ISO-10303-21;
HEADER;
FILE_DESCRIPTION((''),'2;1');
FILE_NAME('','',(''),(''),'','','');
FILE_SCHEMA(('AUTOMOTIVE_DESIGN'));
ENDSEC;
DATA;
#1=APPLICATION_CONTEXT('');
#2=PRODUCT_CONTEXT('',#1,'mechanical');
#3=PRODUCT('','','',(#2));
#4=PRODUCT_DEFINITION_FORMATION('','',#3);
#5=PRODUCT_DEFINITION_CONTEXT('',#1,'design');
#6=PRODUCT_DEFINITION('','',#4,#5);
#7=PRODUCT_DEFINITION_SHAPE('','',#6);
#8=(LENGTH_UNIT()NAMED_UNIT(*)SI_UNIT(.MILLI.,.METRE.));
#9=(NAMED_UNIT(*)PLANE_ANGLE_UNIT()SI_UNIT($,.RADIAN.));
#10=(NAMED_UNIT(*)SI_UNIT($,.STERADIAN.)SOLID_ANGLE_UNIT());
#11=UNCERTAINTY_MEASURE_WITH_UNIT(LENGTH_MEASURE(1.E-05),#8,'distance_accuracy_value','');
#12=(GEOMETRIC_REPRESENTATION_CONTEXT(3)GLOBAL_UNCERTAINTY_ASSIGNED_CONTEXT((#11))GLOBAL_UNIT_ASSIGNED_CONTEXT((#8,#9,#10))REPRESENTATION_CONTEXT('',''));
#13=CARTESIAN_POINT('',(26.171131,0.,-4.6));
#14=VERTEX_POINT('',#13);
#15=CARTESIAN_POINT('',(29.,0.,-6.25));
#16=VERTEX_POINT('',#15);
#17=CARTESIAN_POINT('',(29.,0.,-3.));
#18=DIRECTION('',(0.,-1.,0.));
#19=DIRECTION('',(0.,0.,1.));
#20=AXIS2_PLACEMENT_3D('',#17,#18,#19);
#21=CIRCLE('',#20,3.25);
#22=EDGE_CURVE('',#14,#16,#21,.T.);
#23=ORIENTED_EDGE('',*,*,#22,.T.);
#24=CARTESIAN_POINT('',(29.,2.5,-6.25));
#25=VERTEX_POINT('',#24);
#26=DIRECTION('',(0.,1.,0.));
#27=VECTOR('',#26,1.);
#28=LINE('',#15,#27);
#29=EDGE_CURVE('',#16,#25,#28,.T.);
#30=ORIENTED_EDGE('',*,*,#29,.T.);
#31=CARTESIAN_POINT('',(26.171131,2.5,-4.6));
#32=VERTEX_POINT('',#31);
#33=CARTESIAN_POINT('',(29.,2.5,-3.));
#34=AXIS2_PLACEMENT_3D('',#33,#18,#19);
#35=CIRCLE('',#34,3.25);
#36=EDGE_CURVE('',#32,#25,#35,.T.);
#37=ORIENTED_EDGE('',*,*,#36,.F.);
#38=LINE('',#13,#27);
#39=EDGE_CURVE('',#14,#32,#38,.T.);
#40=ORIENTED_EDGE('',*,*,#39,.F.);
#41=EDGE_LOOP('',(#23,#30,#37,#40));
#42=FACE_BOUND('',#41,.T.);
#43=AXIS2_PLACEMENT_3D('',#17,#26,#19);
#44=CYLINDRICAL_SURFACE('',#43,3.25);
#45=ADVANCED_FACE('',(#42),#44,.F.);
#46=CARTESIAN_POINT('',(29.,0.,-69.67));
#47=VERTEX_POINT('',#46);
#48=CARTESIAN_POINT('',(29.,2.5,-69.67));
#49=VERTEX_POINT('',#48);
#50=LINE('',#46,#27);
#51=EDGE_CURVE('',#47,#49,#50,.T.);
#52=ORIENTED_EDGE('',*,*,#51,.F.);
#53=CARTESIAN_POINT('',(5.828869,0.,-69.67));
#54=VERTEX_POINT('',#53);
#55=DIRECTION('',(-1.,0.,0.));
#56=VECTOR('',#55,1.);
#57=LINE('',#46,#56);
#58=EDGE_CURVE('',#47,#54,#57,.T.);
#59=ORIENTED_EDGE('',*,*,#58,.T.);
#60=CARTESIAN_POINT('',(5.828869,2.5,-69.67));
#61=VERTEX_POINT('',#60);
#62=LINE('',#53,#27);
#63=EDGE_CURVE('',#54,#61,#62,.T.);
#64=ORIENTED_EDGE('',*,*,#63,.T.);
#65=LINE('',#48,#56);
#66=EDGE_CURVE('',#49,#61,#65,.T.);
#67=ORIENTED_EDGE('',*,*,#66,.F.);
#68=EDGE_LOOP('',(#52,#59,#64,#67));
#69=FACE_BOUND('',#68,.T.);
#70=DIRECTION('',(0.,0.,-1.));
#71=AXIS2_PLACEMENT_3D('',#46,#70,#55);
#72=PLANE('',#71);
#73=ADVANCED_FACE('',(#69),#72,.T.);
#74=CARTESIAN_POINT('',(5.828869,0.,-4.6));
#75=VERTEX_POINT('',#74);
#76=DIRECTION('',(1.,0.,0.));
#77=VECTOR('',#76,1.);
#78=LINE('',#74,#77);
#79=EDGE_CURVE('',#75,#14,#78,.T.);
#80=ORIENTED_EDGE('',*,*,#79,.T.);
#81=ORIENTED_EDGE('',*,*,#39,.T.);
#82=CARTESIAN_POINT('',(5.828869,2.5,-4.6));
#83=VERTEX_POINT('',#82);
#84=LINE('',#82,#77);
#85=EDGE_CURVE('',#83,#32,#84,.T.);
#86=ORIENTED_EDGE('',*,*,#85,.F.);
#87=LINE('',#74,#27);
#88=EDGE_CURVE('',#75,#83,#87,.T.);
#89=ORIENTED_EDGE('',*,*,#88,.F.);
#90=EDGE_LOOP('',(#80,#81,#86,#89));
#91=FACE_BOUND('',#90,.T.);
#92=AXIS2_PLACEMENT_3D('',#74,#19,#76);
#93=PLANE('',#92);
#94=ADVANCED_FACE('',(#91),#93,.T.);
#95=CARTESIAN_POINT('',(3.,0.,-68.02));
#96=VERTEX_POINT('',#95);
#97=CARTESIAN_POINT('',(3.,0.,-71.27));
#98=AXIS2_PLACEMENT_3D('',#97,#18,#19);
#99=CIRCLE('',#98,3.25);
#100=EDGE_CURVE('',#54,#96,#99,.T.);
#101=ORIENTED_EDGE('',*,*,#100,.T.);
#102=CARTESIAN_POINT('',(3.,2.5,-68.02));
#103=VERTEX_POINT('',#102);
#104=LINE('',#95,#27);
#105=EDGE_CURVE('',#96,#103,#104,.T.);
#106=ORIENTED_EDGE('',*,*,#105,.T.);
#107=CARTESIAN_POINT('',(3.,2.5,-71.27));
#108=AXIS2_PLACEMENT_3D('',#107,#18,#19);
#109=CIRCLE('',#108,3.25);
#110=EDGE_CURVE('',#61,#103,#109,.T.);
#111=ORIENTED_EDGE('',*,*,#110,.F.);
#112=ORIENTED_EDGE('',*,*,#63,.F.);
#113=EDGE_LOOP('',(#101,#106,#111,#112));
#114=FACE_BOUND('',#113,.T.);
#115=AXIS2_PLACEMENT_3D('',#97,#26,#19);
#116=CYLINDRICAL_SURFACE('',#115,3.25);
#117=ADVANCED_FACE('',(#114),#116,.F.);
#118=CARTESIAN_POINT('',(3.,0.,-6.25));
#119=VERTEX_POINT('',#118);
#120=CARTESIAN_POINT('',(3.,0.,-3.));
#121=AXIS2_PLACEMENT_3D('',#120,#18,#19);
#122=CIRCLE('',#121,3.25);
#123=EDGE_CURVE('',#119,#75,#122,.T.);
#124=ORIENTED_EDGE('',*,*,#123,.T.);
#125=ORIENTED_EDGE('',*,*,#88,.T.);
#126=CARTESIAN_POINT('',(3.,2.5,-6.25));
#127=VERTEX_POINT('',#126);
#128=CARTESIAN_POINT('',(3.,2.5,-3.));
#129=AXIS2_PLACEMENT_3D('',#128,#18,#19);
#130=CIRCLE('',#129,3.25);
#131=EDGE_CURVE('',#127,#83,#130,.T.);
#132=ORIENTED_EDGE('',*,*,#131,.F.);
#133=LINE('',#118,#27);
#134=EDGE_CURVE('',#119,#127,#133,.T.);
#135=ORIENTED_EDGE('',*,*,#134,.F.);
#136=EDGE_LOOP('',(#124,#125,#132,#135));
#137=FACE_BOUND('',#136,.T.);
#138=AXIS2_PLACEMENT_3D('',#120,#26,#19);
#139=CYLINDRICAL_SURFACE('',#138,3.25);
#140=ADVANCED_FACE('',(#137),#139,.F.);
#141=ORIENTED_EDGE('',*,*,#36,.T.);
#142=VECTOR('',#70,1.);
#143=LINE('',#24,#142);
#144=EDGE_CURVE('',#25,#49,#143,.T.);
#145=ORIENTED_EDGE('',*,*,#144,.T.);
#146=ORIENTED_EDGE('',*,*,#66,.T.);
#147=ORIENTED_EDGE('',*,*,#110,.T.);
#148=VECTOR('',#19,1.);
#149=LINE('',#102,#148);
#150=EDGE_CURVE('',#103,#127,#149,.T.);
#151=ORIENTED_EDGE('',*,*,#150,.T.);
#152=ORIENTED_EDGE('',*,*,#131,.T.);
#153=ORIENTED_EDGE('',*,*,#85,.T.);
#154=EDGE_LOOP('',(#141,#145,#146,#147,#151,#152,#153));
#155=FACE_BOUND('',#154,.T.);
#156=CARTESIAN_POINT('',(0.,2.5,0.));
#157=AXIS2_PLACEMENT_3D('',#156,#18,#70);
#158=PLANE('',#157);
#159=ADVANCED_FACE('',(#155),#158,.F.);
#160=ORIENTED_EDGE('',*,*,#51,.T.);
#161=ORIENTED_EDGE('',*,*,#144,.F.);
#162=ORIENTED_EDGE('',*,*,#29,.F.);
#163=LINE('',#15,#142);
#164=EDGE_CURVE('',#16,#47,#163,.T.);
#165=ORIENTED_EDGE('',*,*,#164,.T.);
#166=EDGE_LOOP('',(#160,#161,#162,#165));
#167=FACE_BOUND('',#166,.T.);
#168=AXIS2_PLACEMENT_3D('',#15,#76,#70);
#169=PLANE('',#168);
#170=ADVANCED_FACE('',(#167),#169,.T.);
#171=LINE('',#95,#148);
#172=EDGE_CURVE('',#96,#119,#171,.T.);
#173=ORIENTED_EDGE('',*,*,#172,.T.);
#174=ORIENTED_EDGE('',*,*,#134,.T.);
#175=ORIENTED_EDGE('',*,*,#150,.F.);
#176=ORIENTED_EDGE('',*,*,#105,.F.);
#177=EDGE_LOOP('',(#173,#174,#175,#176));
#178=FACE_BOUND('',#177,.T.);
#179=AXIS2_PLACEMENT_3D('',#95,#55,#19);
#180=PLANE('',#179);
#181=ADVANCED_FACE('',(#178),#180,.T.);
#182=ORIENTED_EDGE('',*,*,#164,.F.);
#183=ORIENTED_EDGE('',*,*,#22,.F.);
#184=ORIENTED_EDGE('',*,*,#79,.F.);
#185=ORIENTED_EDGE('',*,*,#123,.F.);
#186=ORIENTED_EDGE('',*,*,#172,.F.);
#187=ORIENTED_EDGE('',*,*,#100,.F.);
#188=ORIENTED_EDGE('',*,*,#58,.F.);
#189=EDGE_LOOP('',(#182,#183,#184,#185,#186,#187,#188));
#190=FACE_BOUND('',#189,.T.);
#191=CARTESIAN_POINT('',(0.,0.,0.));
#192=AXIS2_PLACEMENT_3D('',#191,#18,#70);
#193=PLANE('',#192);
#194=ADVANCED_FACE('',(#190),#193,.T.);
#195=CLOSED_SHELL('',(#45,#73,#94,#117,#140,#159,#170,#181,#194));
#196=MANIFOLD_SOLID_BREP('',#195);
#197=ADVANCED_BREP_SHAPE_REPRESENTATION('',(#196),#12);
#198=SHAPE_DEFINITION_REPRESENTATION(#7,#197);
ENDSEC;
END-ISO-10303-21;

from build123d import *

# Parameters (mm, degrees)
SKETCH_1_W          = 32
SKETCH_1_H          = 103
SKETCH_1_R          = 1.6
EXTRUDE_1_DEPTH     = 2.5
SKETCH_2_W          = 32
SKETCH_2_H          = 103
CUT_EXTRUDE_1_DEPTH = 108.885355818


with BuildPart() as part:
    # 草图1 → 凸台-拉伸1 (new body)
    with BuildSketch(Plane(origin=(0, 0, 0), x_dir=(1, 0, 0), z_dir=(0, 1, 0))):
        with Locations((16, 51.5)):
            Rectangle(SKETCH_1_W, SKETCH_1_H)
        with Locations(Location((3, 3, 0), (0, 0, 270))):
            Circle(SKETCH_1_R, mode=Mode.SUBTRACT)
        with Locations(Location((29, 3, 0), (0, 0, 270))):
            Circle(SKETCH_1_R, mode=Mode.SUBTRACT)
        with Locations(Location((3, 71.27, 0), (0, 0, 270))):
            Circle(SKETCH_1_R, mode=Mode.SUBTRACT)
        with Locations(Location((29, 100.07, 0), (0, 0, 270))):
            Circle(SKETCH_1_R, mode=Mode.SUBTRACT)
    extrude(amount=EXTRUDE_1_DEPTH)

    # 草图2 → 切除-拉伸1 (cut, through all)
    with BuildSketch(Plane(origin=(0, 2.5, 0), x_dir=(1, 0, 0), z_dir=(0, 1, 0))):
        with Locations((16, 51.5)):
            Rectangle(SKETCH_2_W, SKETCH_2_H)
        with BuildLine():
            Line((3, 68.02), (3, 6.25))
            ThreePointArc((3, 6.25), (4.637452289, 5.807356408), (5.828869032, 4.6))
            Line((5.828869032, 4.6), (26.171130968, 4.6))
            ThreePointArc((26.171130968, 4.6), (27.362547711, 5.807356408), (29, 6.25))
            Line((29, 6.25), (29, 69.67))
            Line((29, 69.67), (5.828869032, 69.67))
            ThreePointArc((5.828869032, 69.67), (4.637452289, 68.462643592), (3, 68.02))
        make_face(mode=Mode.SUBTRACT)
    extrude(amount=-CUT_EXTRUDE_1_DEPTH, mode=Mode.SUBTRACT)


solid = part.part
